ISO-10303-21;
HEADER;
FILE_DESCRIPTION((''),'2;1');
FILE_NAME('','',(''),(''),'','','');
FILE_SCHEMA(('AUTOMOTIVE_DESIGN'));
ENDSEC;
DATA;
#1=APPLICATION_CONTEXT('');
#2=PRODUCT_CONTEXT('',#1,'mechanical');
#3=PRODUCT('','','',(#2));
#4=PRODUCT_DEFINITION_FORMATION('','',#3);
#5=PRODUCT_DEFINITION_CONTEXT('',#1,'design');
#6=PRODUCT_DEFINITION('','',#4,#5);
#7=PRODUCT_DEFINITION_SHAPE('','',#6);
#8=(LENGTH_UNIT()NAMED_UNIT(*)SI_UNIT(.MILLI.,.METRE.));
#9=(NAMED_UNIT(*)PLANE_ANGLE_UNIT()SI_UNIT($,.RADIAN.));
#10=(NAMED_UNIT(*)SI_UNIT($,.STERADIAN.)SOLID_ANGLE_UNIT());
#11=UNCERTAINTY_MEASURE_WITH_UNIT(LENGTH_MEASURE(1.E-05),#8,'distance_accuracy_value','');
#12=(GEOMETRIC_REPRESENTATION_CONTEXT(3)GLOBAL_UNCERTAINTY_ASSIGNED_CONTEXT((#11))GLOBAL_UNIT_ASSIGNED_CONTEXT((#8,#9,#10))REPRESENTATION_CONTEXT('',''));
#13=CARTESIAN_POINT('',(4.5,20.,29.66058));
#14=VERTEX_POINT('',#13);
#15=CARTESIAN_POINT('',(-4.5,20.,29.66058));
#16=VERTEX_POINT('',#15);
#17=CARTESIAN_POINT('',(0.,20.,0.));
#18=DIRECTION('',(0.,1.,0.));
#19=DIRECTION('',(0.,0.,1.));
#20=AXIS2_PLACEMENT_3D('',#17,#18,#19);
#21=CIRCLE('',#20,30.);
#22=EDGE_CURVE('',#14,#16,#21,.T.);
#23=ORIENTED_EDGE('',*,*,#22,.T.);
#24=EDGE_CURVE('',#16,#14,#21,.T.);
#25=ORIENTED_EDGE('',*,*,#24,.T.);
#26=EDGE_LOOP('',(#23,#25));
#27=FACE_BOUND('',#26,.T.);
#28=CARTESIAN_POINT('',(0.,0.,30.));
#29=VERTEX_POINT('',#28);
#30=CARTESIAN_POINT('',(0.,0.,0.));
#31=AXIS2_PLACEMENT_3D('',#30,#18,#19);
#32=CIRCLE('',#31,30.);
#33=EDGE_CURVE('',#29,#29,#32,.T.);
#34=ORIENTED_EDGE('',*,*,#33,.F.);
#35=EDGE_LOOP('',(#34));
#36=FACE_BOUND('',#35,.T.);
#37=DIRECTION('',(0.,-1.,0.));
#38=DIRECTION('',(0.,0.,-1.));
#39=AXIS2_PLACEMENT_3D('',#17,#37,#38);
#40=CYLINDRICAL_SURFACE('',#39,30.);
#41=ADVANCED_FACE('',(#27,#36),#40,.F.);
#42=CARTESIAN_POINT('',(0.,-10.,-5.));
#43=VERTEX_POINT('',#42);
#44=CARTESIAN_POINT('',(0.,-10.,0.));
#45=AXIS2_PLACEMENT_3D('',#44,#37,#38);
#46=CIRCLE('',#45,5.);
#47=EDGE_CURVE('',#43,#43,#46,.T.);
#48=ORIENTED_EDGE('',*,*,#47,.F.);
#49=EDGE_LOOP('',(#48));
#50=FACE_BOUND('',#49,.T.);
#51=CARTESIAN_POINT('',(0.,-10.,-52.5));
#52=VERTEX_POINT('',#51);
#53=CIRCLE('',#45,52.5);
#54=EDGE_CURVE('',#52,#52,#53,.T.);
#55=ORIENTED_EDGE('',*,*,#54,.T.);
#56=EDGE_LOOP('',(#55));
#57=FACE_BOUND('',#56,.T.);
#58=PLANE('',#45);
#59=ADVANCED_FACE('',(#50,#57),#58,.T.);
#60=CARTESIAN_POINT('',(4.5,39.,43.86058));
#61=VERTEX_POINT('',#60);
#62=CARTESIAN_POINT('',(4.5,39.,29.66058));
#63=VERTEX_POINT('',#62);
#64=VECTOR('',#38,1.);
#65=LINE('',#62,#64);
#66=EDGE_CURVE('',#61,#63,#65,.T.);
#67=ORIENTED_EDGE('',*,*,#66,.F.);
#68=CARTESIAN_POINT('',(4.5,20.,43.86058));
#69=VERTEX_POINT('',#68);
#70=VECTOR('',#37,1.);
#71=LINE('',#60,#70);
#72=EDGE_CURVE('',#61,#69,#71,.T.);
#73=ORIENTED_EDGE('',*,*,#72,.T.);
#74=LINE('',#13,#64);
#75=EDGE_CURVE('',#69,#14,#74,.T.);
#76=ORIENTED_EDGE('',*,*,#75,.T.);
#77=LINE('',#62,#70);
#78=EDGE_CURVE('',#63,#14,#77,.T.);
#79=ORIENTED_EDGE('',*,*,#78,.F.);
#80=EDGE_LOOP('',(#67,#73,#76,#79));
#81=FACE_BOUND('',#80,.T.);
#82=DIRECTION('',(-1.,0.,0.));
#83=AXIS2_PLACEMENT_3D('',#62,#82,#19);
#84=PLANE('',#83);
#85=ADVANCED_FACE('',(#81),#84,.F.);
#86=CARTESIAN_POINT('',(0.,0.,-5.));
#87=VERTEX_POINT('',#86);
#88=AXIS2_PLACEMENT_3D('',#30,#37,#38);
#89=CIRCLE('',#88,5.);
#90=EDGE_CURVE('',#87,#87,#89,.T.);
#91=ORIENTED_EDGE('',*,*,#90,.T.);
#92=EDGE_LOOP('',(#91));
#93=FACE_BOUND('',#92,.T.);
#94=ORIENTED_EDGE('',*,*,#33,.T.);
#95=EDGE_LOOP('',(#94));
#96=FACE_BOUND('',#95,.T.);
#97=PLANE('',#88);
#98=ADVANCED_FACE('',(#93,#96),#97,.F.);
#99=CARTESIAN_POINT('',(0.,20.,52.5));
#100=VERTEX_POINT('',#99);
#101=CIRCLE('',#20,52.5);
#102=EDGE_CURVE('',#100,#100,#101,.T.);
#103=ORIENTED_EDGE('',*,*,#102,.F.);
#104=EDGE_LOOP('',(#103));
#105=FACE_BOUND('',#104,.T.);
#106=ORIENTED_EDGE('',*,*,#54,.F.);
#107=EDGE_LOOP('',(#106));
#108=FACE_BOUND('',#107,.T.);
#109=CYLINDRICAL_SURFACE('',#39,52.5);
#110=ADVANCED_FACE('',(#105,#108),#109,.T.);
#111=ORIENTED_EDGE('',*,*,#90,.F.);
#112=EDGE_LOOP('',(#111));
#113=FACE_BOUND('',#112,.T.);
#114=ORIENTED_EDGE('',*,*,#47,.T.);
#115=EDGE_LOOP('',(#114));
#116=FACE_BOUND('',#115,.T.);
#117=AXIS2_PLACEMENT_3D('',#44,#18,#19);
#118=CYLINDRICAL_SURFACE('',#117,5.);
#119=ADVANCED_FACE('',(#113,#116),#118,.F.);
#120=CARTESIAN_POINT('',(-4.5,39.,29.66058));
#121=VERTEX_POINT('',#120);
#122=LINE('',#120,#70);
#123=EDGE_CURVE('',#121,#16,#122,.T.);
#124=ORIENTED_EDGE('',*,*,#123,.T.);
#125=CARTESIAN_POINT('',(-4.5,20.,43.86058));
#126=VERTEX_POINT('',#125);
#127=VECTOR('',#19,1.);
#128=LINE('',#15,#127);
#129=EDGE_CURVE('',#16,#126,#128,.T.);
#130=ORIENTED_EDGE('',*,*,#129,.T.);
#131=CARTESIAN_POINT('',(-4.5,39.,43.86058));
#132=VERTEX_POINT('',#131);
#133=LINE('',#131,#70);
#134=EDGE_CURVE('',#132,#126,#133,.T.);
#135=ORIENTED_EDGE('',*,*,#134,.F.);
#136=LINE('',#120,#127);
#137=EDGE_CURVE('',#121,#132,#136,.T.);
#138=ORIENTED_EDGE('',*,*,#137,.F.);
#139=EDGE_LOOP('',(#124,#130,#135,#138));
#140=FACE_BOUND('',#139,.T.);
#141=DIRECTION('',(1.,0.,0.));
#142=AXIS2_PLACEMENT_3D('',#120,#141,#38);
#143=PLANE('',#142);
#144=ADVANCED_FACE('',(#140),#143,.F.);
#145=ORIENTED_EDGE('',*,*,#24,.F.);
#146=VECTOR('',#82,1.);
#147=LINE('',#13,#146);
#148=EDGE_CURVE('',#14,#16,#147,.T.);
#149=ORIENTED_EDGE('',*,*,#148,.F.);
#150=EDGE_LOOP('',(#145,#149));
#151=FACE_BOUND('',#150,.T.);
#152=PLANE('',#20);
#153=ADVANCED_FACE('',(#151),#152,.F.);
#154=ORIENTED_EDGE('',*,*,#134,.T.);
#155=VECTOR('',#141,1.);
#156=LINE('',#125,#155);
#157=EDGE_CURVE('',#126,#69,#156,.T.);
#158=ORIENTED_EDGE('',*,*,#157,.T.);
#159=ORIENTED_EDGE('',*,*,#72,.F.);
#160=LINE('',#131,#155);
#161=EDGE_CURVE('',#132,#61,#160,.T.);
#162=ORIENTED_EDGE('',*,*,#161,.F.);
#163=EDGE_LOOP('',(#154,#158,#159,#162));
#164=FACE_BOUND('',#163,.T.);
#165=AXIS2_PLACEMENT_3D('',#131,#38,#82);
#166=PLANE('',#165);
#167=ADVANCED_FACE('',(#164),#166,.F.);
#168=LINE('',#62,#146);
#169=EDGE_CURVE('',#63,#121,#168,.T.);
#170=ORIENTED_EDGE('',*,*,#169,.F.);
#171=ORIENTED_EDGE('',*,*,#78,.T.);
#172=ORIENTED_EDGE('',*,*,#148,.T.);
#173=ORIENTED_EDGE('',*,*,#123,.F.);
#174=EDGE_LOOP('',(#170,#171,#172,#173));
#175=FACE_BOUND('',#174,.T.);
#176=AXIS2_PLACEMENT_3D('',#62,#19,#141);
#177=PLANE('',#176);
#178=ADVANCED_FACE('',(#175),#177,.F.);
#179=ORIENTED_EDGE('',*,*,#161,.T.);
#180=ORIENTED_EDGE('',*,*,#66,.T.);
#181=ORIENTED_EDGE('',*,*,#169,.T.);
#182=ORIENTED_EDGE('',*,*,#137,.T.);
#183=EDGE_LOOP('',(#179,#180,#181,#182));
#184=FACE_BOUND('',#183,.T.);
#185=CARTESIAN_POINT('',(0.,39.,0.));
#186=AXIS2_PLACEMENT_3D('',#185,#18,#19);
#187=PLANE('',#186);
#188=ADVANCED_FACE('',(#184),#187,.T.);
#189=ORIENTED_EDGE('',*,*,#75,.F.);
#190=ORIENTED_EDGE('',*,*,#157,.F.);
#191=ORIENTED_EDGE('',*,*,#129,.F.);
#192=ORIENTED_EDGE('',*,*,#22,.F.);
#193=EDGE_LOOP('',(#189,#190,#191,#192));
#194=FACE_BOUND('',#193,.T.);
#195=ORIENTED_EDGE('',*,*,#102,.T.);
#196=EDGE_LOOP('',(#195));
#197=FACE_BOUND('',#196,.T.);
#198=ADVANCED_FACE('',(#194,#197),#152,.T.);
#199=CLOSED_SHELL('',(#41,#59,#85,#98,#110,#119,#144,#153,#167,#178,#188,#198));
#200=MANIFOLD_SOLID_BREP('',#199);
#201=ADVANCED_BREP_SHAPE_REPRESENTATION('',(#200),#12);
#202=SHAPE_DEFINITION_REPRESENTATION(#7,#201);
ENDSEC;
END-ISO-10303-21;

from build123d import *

# Parameters (mm, degrees)
SKIZZE1_R                       = 52.5
SKIZZE1_R_2                     = 30
AUFSATZ_LINEAR_AUSTRAGEN1_DEPTH = 20
AUFSATZ_LINEAR_START            = 10
SKIZZE2_R                       = 52.5
SKIZZE2_R_2                     = 5
AUFSATZ_LINEAR_AUSTRAGEN2_DEPTH = 10
SKIZZE3_W                       = 9
SKIZZE3_H                       = 14.2
AUFSATZ_LINEAR_AUSTRAGEN3_DEPTH = 19


with BuildPart() as part:
    # Skizze1 → Aufsatz-Linear austragen1 (new body)
    with BuildSketch(Plane(origin=(0, 0, 0), x_dir=(1, 0, 0), z_dir=(0, 1, 0))):
        with Locations(Location((0, 0, 0), (0, 0, 270))):
            Circle(SKIZZE1_R)
        with Locations(Location((0, 0, 0), (0, 0, 270))):
            Circle(SKIZZE1_R_2, mode=Mode.SUBTRACT)
    extrude(amount=AUFSATZ_LINEAR_AUSTRAGEN1_DEPTH)

    # Skizze2 → Aufsatz-Linear austragen2 (add)
    with BuildSketch(Plane.XZ.offset(AUFSATZ_LINEAR_START)):
        with Locations(Location((0, 0, 0), (0, 0, 270))):
            Circle(SKIZZE2_R)
        with Locations(Location((0, 0, 0), (0, 0, 270))):
            Circle(SKIZZE2_R_2, mode=Mode.SUBTRACT)
    extrude(amount=-AUFSATZ_LINEAR_AUSTRAGEN2_DEPTH)

    # Skizze3 → Aufsatz-Linear austragen3 (add)
    with BuildSketch(Plane(origin=(0, 20, 0), x_dir=(1, 0, 0), z_dir=(0, 1, 0))):
        with Locations((0, -36.7605799)):
            Rectangle(SKIZZE3_W, SKIZZE3_H)
    extrude(amount=AUFSATZ_LINEAR_AUSTRAGEN3_DEPTH)


solid = part.part
